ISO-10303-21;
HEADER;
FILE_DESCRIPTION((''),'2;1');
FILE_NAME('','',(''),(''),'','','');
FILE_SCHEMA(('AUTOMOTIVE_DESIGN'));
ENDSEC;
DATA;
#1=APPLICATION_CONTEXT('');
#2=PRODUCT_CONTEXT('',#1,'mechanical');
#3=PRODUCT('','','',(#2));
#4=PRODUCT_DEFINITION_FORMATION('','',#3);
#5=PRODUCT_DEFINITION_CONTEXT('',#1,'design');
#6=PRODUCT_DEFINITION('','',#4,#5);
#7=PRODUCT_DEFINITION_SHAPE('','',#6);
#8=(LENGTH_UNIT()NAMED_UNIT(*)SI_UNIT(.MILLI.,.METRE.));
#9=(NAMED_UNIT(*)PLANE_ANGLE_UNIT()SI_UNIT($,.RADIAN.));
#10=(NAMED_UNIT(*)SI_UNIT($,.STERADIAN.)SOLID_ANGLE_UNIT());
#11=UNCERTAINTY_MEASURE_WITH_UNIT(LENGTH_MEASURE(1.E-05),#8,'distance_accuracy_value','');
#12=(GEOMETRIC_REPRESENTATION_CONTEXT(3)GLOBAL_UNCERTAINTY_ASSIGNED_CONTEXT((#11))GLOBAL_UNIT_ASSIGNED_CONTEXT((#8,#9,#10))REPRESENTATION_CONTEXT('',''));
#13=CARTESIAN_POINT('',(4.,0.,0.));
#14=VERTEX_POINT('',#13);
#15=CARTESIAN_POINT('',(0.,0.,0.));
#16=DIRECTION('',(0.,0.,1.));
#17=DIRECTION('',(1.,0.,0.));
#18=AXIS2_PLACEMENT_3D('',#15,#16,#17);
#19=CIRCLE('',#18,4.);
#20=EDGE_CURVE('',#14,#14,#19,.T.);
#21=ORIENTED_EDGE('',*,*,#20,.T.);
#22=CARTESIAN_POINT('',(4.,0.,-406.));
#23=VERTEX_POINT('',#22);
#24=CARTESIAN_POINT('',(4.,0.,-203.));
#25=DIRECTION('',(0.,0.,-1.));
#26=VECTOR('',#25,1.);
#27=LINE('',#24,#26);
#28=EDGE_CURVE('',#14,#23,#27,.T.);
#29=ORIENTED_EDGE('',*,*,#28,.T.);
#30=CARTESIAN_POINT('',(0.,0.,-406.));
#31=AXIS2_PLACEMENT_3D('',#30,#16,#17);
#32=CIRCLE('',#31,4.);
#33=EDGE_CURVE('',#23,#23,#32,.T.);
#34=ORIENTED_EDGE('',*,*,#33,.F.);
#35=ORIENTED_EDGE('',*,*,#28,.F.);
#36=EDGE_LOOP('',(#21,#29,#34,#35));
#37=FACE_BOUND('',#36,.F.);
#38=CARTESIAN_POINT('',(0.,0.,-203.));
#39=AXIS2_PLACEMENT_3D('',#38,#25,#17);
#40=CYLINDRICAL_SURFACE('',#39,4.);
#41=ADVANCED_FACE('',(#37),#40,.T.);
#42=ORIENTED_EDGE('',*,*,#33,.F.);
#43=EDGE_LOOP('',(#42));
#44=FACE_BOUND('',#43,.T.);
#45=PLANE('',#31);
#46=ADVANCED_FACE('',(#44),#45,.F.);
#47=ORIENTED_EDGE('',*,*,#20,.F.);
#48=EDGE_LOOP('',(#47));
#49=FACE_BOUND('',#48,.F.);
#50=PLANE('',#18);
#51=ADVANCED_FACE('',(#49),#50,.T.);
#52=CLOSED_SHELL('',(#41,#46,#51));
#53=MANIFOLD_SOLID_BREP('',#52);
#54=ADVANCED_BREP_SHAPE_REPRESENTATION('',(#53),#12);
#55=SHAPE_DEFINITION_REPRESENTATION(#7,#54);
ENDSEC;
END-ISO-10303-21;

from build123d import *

# Parameters (mm, degrees)
SKETCH1_W = 4
SKETCH1_H = 406


with BuildPart() as part:
    # Sketch1 → Revolve1 (revolve)
    with BuildSketch(Plane(origin=(0, 0, 0), x_dir=(1, 0, 0), z_dir=(0, 1, 0))):
        with Locations((2, 203)):
            Rectangle(SKETCH1_W, SKETCH1_H)
    revolve(axis=Axis((0, 0, 0), (0, 0, 1)))


solid = part.part
